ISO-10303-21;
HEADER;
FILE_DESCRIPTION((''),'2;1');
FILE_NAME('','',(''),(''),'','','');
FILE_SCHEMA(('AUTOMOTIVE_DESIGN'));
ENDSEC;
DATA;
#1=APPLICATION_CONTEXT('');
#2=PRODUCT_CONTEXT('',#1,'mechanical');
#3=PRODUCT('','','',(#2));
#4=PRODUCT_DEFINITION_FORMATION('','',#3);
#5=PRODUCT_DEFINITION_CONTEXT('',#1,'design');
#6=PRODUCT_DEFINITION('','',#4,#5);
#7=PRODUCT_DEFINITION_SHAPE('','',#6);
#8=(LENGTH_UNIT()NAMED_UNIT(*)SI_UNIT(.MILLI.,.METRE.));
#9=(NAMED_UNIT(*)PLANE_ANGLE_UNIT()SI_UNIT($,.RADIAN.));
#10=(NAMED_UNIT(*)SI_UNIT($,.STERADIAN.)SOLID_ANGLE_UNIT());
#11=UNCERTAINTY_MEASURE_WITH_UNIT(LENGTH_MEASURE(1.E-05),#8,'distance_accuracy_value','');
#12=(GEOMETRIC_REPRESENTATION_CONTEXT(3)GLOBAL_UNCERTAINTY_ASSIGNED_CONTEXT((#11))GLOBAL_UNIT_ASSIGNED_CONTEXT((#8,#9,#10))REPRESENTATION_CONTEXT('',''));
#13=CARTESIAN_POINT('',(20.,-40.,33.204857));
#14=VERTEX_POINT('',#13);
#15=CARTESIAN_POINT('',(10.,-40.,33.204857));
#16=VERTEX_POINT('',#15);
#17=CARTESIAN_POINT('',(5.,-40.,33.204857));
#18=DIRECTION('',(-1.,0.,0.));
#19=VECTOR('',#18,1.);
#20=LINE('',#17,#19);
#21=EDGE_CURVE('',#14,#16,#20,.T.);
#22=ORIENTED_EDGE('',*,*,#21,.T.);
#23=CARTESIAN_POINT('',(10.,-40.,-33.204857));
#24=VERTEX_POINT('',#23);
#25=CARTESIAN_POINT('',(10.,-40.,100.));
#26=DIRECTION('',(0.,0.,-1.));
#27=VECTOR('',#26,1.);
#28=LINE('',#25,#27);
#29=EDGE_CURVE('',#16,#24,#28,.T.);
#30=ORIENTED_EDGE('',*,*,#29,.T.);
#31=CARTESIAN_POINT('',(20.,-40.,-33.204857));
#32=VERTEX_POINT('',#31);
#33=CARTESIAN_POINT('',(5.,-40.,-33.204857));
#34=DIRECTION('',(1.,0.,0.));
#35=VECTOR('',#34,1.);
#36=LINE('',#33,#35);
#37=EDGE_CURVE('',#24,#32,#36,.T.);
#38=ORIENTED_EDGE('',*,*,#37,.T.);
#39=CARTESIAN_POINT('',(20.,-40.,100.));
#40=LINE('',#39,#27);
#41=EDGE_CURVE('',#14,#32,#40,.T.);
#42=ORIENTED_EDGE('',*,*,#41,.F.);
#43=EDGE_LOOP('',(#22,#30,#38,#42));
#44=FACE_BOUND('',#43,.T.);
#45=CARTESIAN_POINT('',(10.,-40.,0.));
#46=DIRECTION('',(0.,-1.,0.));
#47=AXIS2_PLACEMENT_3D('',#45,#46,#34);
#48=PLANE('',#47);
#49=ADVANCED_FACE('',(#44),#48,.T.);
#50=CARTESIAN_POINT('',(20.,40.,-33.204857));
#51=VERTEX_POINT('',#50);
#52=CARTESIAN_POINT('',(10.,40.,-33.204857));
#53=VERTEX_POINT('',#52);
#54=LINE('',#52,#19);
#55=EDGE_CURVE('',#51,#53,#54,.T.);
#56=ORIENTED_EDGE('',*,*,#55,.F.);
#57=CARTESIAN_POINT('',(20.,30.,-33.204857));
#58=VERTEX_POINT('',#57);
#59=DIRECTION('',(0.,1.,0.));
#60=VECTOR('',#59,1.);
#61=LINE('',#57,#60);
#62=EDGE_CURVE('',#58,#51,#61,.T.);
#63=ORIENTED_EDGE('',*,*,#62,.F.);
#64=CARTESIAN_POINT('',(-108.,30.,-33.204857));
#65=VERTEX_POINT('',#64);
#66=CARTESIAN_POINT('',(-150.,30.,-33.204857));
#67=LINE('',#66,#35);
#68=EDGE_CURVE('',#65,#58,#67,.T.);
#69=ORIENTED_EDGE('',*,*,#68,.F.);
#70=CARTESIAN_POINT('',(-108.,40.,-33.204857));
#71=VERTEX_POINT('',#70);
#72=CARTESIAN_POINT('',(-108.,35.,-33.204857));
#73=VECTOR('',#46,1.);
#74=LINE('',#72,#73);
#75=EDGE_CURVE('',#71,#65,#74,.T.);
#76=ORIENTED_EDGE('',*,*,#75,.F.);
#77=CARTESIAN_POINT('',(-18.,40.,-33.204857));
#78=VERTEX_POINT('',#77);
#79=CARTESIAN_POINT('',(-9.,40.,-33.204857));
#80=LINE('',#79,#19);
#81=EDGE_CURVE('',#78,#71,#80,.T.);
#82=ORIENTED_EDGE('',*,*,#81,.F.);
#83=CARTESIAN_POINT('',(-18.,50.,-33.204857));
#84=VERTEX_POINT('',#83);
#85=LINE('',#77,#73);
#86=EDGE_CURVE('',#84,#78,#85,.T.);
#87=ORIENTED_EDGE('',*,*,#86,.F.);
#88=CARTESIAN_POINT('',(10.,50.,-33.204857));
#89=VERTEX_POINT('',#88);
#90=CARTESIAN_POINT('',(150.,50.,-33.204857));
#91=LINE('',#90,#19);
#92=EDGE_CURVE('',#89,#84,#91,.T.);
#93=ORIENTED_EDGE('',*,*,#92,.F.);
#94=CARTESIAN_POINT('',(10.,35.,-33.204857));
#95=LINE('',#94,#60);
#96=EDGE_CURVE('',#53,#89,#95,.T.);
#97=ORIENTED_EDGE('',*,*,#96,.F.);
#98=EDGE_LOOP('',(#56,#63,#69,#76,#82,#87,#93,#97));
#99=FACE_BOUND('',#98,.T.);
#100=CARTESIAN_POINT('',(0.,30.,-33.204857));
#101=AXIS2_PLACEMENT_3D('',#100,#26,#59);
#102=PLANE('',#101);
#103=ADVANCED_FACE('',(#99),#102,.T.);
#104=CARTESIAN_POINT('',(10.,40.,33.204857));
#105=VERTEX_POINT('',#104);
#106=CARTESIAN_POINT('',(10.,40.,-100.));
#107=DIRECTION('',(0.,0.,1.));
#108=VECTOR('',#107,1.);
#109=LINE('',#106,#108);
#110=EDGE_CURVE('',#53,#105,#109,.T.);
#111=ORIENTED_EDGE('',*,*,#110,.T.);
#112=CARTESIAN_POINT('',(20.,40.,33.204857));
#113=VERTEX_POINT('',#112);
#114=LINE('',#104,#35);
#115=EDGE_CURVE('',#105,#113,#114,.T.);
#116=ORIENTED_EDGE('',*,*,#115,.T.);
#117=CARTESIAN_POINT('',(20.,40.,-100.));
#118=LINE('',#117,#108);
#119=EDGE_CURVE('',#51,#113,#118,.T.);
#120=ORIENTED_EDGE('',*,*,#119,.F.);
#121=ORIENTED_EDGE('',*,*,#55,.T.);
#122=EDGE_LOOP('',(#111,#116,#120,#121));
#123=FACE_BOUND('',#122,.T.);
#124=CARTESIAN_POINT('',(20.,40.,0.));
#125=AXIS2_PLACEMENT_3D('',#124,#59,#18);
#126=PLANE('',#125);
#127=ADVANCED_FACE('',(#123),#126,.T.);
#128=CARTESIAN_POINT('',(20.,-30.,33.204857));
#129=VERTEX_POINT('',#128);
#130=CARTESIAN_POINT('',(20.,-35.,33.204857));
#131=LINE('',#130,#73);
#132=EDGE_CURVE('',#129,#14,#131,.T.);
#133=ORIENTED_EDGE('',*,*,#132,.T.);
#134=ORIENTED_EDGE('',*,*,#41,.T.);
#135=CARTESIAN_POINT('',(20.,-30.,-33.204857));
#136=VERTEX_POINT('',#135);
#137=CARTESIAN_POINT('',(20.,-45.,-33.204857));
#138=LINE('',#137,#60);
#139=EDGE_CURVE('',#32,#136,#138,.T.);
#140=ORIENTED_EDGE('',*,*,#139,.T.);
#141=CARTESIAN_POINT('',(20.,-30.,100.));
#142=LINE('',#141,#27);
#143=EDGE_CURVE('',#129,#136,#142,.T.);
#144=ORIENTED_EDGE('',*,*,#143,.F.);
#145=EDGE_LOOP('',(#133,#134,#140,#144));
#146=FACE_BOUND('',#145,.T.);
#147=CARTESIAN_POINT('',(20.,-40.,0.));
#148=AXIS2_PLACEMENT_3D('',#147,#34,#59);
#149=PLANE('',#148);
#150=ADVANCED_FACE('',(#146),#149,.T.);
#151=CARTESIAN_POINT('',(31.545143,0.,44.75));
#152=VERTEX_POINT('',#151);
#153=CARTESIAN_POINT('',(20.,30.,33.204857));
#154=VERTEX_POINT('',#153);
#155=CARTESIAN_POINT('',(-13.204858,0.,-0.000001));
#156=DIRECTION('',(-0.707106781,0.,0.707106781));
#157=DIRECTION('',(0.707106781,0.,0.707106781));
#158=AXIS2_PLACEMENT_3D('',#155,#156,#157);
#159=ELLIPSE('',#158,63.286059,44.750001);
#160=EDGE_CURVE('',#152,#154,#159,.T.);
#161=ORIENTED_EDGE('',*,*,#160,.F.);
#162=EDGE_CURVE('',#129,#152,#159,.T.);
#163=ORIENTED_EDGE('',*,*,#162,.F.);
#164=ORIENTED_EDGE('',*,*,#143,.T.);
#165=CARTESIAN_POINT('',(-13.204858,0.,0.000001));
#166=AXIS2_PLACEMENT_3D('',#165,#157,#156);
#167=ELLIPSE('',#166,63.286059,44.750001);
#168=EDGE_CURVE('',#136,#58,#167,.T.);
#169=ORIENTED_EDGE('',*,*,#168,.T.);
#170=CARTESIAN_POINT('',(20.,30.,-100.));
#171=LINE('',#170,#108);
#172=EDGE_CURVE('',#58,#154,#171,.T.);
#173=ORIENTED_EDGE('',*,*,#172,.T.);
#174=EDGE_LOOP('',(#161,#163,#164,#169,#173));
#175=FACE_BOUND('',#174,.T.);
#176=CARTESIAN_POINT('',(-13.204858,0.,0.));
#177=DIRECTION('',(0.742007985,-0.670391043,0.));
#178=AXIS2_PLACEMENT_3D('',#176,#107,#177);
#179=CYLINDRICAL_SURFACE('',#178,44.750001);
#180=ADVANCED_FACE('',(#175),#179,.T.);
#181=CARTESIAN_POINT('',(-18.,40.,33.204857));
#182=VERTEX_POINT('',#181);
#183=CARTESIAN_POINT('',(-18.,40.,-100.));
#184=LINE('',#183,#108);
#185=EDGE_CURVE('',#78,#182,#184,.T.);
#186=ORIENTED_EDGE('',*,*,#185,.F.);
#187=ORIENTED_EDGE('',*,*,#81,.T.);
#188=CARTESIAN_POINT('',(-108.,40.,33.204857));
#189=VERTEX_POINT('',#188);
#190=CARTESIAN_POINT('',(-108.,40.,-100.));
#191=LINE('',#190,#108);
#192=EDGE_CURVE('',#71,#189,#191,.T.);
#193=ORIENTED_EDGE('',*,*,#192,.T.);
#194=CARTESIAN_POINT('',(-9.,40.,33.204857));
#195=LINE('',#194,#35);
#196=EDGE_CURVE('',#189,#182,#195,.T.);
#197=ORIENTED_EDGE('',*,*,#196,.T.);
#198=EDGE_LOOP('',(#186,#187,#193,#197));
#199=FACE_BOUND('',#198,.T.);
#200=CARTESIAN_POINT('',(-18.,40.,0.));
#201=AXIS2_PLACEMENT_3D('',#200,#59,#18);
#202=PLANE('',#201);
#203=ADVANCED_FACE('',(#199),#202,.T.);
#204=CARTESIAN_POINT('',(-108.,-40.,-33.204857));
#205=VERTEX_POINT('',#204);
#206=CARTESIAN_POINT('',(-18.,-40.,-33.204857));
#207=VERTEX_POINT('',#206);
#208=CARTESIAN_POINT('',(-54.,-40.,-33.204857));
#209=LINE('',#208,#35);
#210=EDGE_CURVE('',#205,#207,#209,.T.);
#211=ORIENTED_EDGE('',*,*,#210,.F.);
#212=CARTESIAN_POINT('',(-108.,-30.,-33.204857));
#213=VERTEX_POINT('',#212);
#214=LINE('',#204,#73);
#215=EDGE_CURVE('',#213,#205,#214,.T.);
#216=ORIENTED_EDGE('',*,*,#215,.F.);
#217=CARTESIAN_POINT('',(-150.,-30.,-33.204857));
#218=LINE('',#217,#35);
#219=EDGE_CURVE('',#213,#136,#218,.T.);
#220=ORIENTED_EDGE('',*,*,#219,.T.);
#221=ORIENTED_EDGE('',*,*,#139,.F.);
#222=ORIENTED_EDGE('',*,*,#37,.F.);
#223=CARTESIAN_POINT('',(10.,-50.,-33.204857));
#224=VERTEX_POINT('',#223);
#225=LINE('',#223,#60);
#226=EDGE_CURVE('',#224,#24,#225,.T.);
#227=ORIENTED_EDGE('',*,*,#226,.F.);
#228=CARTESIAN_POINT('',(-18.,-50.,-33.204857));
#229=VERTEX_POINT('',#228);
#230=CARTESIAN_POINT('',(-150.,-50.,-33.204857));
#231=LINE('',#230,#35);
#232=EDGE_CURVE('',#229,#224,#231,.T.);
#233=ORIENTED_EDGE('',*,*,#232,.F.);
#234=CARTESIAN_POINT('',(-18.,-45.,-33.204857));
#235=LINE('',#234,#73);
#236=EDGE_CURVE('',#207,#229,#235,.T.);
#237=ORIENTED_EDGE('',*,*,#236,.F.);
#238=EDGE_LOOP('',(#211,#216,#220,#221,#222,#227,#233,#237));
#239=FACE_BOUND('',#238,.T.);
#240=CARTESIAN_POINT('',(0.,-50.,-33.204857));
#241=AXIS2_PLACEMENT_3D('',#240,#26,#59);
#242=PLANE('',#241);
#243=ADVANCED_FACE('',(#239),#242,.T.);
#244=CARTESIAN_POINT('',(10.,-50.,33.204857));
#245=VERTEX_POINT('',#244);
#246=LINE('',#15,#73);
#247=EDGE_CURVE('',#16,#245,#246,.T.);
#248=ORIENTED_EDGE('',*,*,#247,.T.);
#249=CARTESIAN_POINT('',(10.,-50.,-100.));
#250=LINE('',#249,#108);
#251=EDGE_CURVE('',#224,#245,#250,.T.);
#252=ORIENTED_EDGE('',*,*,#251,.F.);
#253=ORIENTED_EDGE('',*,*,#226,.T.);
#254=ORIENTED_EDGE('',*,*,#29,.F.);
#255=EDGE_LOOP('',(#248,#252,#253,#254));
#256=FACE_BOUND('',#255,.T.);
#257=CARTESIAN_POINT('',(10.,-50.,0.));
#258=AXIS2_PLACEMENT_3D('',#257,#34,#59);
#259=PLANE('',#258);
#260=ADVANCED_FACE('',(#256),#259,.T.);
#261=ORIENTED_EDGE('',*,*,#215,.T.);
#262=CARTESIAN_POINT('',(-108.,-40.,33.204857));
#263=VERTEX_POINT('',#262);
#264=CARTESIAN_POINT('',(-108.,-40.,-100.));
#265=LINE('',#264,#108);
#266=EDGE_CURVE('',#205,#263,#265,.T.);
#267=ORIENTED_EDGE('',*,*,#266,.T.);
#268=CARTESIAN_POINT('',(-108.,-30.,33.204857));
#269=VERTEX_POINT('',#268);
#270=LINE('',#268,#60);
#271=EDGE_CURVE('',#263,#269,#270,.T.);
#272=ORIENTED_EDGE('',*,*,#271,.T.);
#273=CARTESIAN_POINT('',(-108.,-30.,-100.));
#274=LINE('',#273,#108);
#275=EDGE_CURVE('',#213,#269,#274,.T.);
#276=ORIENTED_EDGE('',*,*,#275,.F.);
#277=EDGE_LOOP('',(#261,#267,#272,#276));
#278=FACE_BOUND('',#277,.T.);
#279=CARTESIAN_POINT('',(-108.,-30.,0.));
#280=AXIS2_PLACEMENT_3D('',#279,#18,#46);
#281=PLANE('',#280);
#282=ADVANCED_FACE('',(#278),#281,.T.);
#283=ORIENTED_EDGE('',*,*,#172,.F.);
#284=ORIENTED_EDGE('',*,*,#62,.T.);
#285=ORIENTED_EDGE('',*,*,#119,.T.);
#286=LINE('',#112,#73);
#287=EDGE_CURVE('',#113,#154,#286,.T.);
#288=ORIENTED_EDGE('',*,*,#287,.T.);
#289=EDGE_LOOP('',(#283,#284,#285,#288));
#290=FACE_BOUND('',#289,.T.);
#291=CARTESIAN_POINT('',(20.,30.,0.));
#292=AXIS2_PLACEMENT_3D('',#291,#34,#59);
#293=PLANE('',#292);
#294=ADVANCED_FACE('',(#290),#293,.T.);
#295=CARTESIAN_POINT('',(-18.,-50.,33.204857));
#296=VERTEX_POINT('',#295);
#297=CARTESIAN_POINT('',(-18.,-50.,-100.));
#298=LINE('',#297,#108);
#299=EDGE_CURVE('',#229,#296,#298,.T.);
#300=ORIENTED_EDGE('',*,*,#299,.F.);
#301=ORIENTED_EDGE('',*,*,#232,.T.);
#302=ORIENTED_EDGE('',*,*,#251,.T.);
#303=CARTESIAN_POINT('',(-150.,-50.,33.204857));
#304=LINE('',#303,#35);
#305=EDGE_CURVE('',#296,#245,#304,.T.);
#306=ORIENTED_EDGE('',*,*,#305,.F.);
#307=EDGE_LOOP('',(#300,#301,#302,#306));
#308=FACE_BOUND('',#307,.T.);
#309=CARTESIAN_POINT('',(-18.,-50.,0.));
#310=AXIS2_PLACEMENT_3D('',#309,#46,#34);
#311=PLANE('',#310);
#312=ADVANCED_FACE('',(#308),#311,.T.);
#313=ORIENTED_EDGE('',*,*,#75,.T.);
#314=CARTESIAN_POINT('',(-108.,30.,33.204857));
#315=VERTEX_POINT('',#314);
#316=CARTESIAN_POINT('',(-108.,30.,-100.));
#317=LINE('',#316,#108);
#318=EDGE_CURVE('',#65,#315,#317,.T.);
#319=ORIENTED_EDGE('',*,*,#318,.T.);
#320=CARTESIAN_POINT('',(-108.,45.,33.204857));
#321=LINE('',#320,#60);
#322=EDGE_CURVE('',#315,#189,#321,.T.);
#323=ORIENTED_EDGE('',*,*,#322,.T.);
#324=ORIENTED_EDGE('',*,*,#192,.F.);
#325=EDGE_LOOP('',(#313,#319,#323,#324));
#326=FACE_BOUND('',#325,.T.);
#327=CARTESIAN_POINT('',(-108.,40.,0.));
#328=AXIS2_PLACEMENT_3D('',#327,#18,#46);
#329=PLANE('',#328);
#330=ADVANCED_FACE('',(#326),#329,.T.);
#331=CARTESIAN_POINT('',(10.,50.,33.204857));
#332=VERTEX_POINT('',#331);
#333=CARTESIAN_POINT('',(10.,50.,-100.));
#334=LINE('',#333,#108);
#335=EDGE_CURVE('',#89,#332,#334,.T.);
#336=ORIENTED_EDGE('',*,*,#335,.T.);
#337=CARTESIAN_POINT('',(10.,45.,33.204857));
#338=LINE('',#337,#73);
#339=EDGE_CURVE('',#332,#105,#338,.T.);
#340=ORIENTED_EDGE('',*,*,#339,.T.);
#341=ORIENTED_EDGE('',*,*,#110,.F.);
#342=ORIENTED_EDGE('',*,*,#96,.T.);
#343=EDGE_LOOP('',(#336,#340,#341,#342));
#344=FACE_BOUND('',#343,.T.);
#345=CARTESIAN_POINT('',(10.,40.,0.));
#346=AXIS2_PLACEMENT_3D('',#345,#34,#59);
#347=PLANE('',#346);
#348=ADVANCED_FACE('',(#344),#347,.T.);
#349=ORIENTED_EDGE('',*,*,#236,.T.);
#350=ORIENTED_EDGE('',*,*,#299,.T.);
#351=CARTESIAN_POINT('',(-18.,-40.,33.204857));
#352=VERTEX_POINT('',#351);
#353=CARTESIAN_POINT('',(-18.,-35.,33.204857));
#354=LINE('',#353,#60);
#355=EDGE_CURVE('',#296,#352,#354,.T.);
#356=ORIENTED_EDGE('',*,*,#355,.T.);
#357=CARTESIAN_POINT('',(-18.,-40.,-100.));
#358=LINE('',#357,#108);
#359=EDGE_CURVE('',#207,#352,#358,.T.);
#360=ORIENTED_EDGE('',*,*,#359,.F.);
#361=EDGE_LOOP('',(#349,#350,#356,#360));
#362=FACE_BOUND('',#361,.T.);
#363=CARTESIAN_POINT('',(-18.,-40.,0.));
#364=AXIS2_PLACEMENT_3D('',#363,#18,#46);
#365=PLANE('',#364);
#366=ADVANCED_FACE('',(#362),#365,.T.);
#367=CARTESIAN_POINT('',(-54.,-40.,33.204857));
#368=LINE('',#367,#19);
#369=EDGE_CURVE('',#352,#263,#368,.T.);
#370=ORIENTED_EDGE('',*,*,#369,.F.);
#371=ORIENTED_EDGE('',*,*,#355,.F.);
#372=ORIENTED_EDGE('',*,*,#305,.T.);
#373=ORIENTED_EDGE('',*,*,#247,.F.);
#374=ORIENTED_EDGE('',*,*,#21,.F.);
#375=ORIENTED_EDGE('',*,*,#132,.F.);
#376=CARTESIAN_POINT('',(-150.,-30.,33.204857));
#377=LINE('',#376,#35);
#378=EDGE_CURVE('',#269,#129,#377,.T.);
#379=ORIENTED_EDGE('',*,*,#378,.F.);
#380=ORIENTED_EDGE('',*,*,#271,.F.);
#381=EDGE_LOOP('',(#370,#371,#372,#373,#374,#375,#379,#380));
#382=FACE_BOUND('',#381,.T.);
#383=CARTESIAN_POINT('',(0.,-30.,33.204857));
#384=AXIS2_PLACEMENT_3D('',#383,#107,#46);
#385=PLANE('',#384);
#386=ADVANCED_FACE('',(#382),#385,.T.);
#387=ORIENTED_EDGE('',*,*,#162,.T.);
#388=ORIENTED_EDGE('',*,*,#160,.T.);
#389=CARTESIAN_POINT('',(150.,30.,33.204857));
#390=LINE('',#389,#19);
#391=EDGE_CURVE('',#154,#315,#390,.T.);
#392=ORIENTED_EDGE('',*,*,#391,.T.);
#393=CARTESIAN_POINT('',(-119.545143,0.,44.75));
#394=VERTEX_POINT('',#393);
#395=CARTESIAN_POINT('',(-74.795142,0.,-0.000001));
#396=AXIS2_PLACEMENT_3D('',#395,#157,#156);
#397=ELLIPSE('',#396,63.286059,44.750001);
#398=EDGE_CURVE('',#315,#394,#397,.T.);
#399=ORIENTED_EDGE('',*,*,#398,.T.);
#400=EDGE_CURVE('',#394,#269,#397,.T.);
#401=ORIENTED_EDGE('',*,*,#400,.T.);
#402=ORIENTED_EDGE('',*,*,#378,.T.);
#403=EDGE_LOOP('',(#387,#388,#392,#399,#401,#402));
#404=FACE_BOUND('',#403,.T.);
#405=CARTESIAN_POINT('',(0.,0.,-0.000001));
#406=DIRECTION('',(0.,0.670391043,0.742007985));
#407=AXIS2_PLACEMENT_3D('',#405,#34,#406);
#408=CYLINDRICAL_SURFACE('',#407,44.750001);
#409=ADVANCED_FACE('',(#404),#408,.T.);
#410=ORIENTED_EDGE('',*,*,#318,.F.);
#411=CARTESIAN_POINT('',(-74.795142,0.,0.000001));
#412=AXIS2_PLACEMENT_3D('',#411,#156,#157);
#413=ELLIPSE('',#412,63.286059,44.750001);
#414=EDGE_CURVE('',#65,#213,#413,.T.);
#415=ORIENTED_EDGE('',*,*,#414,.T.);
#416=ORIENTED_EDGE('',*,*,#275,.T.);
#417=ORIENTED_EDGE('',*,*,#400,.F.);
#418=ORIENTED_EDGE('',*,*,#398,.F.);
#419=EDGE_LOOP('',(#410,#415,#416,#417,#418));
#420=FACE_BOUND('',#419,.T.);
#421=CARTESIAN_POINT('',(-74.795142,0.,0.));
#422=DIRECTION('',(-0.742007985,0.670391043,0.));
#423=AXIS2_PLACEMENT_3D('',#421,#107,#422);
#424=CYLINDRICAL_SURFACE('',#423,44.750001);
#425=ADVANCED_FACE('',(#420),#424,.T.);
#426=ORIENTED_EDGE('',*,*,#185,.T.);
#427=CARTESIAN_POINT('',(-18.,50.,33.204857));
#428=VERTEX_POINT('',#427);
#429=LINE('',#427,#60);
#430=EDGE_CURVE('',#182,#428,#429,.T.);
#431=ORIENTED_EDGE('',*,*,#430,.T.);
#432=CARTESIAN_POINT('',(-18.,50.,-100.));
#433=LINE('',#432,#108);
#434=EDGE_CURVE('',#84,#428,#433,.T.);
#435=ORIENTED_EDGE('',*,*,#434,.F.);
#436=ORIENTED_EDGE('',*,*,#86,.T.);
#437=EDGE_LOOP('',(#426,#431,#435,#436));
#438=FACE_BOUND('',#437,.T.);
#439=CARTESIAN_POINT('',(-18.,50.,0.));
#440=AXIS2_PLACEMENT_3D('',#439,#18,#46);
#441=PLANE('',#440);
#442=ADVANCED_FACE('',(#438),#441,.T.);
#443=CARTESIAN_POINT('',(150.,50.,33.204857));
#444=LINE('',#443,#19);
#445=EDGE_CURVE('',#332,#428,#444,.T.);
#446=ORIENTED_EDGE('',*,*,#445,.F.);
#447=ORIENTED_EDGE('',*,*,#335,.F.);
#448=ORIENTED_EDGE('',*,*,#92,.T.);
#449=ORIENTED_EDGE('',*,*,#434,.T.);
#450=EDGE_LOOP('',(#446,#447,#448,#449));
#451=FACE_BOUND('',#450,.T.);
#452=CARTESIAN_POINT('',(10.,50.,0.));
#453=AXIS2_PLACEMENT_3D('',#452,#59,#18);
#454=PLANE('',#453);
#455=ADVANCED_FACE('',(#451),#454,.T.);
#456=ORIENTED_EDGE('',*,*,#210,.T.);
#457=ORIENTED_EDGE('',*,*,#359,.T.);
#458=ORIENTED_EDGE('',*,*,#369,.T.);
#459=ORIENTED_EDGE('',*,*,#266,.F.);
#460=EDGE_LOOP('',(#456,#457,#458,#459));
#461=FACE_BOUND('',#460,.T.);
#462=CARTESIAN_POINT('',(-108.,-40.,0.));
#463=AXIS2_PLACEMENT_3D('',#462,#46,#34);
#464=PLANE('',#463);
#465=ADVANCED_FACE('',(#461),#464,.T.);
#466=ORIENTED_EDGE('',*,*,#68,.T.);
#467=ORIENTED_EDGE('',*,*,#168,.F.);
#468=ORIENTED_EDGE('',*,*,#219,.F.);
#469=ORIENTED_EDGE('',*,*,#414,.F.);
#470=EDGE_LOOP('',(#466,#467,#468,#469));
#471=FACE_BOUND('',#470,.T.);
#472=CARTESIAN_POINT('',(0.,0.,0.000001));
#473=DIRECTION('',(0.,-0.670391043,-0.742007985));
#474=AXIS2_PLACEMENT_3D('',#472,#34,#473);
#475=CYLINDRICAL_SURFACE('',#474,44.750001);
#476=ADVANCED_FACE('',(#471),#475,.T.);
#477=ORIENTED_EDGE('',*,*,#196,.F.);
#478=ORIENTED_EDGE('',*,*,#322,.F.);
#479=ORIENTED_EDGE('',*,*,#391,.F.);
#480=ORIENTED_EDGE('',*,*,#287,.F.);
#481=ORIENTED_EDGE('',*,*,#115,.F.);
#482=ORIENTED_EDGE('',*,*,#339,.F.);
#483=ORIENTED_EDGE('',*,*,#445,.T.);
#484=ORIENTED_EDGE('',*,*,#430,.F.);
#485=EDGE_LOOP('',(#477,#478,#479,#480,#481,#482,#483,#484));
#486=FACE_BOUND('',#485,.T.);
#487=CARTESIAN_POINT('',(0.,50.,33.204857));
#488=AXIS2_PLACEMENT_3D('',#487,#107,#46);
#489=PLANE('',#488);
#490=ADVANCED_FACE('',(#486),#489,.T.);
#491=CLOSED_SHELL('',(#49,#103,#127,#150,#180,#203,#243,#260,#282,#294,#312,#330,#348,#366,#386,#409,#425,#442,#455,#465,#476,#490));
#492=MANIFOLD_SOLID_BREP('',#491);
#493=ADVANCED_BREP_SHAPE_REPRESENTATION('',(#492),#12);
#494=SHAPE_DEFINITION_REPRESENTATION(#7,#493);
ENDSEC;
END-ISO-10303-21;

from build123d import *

# Parameters (mm, degrees)
PAD_DEPTH    = 150
PAD001_DEPTH = 100


with BuildPart() as body:
    # Sketch → Pad (new body, symmetric)
    with BuildSketch(Plane.YZ):
        with BuildLine():
            ThreePointArc((30, 33.204857), (0, 44.75), (-30, 33.204857))
            Line((-30, 33.204857), (-50, 33.204857))
            Line((-50, 33.204857), (-50, -33.204857))
            Line((-50, -33.204857), (-30, -33.204857))
            ThreePointArc((-30, -33.204857), (0, -44.75), (30, -33.204857))
            Line((30, -33.204857), (50, -33.204857))
            Line((50, -33.204857), (50, 33.204857))
            Line((50, 33.204857), (30, 33.204857))
        make_face()
    extrude(amount=PAD_DEPTH, both=True)


with BuildPart() as body001:
    # Sketch001 → Pad001 (new body, symmetric)
    with BuildSketch(Plane.XY):
        with BuildLine():
            ThreePointArc((20, -30), (31.545143, 0), (20, 30))
            Line((20, 30), (20, 40))
            Line((20, 40), (10, 40))
            Line((10, 40), (10, 50))
            Line((10, 50), (-18, 50))
            Line((-18, 50), (-18, 40))
            Line((-18, 40), (-108, 40))
            Line((-108, 40), (-108, 30))
            ThreePointArc((-108, 30), (-119.545143, 0), (-108, -30))
            Line((-108, -30), (-108, -40))
            Line((-108, -40), (-18, -40))
            Line((-18, -40), (-18, -50))
            Line((-18, -50), (10, -50))
            Line((10, -50), (10, -40))
            Line((10, -40), (20, -40))
            Line((20, -40), (20, -30))
        make_face()
    extrude(amount=PAD001_DEPTH, both=True)

    # Boolean: intersect Body
    add(body.part, mode=Mode.INTERSECT)


solid = body001.part
